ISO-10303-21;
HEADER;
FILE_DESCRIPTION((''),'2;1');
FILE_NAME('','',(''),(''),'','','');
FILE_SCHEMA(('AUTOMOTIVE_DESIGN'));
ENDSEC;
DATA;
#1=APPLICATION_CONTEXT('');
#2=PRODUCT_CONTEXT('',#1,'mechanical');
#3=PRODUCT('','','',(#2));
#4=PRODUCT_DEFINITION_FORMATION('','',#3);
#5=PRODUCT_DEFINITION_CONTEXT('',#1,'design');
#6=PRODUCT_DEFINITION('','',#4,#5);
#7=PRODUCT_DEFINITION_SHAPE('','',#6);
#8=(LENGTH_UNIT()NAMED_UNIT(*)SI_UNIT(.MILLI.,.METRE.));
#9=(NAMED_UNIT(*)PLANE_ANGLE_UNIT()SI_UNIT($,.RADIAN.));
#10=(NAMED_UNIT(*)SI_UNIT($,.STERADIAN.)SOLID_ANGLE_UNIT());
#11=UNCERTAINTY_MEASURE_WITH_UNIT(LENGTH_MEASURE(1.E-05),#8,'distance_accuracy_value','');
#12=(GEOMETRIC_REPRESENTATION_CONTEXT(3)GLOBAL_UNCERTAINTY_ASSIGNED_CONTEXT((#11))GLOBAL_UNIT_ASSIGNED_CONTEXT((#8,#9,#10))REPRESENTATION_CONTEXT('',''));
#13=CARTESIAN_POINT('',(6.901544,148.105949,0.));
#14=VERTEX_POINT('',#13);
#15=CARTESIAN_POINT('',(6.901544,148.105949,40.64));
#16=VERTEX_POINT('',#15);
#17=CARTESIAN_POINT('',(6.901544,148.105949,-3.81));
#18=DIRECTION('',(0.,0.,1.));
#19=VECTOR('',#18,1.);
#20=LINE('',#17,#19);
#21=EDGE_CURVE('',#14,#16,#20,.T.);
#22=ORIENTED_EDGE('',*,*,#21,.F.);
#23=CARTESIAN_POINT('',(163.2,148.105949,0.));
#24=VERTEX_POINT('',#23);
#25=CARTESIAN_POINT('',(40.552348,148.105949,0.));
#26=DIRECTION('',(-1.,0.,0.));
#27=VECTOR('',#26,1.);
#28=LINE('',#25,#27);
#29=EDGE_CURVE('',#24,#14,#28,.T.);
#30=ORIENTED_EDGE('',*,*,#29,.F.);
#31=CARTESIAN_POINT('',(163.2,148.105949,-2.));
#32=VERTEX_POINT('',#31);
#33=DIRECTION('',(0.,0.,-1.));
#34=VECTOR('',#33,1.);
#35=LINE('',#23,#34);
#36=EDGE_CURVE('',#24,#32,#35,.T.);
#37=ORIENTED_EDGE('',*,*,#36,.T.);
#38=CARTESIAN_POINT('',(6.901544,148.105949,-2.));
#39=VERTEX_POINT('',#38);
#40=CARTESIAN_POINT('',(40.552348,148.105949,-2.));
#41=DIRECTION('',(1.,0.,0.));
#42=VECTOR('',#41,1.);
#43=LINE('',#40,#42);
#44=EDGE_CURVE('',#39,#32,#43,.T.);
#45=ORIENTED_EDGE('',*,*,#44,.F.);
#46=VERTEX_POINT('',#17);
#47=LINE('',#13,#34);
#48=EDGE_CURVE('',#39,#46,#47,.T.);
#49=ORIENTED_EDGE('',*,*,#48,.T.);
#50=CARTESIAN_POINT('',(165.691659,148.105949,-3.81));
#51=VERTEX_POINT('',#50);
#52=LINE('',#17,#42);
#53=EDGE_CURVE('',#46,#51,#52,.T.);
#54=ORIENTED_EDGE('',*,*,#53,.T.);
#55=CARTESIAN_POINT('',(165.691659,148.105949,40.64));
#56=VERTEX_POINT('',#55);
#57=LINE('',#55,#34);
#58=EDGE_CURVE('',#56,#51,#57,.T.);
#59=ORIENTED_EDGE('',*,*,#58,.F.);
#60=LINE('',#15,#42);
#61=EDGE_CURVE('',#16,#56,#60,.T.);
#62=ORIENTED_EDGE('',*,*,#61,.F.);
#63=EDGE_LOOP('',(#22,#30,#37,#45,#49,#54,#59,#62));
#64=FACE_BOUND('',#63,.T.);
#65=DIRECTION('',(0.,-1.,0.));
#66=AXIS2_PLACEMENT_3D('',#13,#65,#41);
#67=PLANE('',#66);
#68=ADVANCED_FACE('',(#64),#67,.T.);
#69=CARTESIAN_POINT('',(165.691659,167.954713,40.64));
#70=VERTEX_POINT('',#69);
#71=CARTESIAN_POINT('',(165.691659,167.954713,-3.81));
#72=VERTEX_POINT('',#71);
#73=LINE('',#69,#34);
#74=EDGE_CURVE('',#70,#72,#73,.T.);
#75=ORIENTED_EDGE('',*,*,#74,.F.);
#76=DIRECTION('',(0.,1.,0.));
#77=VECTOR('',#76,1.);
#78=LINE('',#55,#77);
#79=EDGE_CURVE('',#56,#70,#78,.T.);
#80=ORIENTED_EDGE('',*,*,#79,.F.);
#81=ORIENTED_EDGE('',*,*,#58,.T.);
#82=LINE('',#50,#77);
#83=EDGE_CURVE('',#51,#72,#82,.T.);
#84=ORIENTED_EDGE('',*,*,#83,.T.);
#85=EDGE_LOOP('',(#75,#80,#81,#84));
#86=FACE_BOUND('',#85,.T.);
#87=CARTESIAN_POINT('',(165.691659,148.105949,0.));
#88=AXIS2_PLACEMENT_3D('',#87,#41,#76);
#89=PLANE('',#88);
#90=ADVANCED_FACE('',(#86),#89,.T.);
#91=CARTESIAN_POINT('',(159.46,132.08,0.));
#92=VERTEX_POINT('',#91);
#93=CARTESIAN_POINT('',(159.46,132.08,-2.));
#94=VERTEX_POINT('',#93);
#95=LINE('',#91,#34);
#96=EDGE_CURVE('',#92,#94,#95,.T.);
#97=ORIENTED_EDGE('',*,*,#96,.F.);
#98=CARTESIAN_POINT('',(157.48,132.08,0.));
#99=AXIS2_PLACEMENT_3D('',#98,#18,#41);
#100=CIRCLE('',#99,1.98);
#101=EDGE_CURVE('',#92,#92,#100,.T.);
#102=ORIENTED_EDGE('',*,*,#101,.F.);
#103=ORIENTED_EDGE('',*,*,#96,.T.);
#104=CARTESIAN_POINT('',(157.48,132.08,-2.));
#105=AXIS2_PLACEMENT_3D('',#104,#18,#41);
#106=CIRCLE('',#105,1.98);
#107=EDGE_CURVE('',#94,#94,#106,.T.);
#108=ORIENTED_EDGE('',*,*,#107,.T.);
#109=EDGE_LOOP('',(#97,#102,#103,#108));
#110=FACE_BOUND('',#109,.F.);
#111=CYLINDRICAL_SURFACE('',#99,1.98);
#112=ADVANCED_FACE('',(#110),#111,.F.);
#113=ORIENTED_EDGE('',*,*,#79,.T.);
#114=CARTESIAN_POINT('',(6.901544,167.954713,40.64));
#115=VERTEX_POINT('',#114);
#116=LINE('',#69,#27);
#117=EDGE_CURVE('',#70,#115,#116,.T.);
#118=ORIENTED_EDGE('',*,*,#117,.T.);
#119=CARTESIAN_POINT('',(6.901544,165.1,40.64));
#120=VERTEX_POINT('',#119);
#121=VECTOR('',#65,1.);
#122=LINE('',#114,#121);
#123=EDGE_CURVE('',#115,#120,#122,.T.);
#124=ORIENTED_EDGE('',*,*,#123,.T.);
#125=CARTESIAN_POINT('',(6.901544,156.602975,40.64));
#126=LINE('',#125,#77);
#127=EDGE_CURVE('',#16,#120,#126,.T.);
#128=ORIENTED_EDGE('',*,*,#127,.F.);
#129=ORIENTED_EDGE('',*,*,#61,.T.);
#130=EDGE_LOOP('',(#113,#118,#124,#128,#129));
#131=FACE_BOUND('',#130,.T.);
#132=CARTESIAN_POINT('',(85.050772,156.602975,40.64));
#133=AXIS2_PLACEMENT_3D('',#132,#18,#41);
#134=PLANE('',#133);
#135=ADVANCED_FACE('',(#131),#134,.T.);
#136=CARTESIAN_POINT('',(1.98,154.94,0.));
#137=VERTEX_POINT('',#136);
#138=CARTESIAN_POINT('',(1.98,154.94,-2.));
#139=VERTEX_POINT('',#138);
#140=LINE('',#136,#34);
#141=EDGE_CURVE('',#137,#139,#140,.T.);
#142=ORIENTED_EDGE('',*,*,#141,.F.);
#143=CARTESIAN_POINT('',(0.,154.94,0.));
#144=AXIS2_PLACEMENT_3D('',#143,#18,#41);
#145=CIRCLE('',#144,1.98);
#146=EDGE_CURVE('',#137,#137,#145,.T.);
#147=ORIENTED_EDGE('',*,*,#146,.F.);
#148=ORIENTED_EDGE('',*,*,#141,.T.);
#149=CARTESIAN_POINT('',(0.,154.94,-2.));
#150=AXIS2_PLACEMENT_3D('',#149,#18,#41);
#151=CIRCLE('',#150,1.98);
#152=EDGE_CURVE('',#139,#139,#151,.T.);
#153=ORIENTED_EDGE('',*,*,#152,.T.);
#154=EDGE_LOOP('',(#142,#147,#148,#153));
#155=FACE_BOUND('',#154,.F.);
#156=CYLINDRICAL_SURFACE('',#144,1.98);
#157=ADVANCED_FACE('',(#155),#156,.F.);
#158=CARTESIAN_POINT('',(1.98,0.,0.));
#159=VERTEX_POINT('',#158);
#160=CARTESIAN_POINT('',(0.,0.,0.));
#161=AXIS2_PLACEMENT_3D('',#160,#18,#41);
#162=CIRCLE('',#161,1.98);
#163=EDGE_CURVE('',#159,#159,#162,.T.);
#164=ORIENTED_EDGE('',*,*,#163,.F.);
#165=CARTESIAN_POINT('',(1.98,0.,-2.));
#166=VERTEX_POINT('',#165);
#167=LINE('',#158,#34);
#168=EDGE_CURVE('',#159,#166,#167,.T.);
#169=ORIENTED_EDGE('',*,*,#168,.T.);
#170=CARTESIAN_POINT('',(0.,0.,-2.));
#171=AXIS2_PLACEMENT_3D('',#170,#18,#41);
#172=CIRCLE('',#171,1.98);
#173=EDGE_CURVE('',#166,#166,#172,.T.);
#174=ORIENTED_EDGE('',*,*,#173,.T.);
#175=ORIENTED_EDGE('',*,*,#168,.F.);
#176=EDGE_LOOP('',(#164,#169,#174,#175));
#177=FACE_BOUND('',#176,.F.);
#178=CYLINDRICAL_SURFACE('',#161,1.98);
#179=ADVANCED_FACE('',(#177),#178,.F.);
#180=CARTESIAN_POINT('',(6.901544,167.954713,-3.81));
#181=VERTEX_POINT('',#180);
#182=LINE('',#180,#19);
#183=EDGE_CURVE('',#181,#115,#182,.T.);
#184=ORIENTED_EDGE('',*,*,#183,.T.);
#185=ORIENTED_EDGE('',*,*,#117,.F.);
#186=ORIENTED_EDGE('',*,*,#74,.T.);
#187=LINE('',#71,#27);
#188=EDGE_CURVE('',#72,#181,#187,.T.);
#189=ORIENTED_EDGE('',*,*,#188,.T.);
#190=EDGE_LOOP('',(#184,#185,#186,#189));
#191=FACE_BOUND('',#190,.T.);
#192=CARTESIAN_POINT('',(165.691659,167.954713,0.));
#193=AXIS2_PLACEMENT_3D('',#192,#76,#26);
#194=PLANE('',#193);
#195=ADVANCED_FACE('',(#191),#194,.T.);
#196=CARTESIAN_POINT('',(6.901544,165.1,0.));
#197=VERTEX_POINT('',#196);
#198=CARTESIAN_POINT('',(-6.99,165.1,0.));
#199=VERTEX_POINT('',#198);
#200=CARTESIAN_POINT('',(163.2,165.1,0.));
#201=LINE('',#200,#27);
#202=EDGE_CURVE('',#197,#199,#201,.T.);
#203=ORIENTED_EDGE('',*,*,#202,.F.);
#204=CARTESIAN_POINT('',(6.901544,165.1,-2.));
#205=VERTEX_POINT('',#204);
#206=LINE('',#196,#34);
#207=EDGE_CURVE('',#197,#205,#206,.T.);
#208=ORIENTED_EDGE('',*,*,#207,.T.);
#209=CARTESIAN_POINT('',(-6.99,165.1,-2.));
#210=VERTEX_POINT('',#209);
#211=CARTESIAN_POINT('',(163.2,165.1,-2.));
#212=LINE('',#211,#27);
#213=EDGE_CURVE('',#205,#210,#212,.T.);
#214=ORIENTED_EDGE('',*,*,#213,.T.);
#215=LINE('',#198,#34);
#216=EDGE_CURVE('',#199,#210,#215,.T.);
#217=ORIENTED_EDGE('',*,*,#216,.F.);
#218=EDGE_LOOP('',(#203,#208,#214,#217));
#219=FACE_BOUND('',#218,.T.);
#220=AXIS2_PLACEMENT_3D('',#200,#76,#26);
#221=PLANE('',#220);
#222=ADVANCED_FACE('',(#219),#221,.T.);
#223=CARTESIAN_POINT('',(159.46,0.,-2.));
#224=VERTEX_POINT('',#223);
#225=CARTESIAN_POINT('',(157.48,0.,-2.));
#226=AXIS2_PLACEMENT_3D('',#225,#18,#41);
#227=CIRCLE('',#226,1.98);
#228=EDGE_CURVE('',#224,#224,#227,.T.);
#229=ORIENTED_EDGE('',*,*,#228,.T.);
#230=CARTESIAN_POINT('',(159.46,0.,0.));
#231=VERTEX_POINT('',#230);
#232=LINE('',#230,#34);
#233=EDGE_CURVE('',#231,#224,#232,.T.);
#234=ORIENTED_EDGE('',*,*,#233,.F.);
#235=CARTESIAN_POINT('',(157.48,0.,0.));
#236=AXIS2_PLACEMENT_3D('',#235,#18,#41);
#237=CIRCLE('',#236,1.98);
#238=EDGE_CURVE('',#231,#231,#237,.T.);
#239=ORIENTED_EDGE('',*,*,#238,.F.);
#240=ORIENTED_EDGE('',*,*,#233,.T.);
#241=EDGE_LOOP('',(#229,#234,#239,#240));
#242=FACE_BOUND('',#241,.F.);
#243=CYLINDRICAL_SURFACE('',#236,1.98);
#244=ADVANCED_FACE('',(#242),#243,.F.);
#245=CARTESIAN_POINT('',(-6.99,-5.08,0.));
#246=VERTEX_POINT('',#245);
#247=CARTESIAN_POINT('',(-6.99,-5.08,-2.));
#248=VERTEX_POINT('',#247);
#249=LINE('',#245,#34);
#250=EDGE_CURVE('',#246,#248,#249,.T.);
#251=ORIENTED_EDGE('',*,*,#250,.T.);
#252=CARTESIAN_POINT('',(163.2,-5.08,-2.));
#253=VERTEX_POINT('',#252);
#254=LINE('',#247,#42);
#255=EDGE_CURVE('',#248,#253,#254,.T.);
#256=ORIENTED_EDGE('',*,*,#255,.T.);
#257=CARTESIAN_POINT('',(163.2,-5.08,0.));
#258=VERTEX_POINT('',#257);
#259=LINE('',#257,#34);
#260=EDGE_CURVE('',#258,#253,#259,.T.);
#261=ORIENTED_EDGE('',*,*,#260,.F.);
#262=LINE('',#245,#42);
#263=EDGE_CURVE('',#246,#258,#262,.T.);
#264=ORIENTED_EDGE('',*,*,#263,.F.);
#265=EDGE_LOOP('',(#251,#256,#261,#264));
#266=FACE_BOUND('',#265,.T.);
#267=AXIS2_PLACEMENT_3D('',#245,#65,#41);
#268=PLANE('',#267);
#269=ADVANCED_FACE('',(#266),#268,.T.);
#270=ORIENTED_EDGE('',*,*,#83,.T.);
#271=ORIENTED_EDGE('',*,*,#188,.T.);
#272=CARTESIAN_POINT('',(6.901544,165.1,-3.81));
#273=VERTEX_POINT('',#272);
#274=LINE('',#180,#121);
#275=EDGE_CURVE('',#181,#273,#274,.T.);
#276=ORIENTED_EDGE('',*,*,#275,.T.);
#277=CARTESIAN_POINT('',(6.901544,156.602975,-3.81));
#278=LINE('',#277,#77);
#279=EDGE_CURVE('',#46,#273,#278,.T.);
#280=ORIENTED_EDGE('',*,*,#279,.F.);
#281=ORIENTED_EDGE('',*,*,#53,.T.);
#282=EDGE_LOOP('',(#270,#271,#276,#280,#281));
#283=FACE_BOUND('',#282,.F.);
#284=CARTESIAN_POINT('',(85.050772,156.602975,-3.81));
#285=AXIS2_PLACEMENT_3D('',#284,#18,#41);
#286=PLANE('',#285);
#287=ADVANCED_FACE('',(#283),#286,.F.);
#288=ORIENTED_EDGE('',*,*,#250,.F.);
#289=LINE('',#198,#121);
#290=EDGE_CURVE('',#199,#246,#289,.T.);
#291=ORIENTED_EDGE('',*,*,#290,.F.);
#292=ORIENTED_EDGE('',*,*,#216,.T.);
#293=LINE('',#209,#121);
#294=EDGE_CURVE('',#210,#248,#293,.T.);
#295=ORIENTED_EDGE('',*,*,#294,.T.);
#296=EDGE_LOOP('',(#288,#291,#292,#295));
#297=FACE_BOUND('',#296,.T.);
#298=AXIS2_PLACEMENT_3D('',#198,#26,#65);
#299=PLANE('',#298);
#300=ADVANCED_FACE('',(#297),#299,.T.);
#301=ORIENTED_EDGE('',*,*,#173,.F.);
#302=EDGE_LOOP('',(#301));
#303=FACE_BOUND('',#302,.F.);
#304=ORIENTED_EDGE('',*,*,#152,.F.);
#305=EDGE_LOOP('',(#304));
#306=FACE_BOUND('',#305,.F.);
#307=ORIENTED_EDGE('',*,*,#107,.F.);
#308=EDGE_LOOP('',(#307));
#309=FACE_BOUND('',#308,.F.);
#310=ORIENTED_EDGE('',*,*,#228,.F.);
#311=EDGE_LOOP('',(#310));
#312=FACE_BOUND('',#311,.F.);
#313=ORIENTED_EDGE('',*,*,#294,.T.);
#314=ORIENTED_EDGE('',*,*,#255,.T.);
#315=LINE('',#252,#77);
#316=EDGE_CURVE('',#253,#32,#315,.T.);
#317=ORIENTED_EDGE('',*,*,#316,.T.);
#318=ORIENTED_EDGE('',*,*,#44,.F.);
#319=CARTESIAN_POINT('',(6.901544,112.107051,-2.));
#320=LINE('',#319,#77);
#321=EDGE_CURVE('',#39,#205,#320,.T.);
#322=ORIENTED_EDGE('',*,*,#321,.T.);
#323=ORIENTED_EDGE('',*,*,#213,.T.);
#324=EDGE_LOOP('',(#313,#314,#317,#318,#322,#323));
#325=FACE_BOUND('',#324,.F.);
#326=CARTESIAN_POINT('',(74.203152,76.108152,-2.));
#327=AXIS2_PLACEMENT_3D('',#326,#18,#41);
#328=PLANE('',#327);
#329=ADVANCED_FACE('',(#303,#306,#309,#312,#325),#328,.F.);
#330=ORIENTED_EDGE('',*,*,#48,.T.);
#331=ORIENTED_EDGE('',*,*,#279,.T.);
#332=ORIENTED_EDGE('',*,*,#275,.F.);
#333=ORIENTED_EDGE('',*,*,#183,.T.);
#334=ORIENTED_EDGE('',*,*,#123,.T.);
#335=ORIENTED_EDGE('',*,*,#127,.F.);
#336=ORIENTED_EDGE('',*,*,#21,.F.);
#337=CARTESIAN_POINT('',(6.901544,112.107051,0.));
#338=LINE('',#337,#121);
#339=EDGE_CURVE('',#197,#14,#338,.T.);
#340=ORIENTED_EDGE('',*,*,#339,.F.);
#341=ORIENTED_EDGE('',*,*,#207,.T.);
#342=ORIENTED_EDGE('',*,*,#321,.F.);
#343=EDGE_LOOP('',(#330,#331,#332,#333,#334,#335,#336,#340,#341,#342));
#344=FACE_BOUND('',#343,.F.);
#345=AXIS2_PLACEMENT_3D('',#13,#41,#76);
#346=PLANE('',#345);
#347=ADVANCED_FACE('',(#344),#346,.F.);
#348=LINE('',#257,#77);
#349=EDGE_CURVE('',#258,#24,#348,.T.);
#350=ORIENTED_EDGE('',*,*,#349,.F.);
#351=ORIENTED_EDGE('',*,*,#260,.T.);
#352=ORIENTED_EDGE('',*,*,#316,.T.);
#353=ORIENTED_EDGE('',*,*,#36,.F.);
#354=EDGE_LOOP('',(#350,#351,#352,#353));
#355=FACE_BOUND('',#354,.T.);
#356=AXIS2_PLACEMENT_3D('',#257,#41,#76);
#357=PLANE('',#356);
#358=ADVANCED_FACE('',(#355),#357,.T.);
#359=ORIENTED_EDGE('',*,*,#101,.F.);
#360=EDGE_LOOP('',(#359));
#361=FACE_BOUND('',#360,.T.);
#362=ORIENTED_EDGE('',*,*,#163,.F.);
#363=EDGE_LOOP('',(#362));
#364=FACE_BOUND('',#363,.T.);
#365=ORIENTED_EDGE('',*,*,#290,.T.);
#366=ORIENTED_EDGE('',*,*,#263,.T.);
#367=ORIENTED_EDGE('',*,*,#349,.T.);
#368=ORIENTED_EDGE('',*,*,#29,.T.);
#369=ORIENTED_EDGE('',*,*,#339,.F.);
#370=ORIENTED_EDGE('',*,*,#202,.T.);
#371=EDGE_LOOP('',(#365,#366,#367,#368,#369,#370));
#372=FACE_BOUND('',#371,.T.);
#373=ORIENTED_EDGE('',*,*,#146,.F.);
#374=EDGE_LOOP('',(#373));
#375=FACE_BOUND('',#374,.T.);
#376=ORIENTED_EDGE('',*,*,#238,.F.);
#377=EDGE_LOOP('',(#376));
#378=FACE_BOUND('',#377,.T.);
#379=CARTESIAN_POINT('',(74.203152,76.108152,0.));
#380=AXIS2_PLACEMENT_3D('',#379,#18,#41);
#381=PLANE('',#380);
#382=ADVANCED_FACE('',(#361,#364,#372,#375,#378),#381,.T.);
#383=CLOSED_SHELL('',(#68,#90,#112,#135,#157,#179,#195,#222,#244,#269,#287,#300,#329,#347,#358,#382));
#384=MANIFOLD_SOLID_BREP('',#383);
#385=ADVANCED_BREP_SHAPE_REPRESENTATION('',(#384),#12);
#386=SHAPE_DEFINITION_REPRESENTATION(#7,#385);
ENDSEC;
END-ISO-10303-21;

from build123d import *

# Parameters (mm, degrees)
F0_R     = 1.98
F0_W     = 156.2984559469
F0_H     = 16.9940508366
F1_DEPTH = 2
F2_DEPTH = 3.81
F3_DEPTH = 44.45


with BuildPart() as f1:
    # F0 (on Top) → F1 (new body)
    with BuildSketch(Plane.XY):
        Polygon((-6.99, 165.1), (-6.99, -5.08), (163.2, -5.08), (163.2, 148.1059491634), (6.9015440531, 148.1059491634), (6.9015440531, 165.1), align=None)
        Circle(F0_R, mode=Mode.SUBTRACT)
        with Locations((157.48, 0)):
            Circle(F0_R, mode=Mode.SUBTRACT)
        with Locations((0, 154.94)):
            Circle(F0_R, mode=Mode.SUBTRACT)
        with Locations((157.48, 132.08)):
            Circle(F0_R, mode=Mode.SUBTRACT)
        with Locations((85.0507720266, 156.6029745817)):
            Rectangle(F0_W, F0_H)
    extrude(amount=-F1_DEPTH)

    # F0 (on Top) → F2 (join)
    with BuildSketch(Plane.XY):
        with Locations((85.0507720266, 156.6029745817)):
            Rectangle(F0_W, F0_H)
        Polygon((163.2, 165.1), (163.2, 148.1059491634), (165.6916588545, 148.1059491634), (165.6916588545, 167.9547131062), (6.9015440531, 167.9547131062), (6.9015440531, 165.1), align=None)
    extrude(amount=-F2_DEPTH)

    # F3 (add): a face of the model
    f3_faces = [f1.faces().sort_by_distance(p)[0] for p in [
        (86.2966014538, 158.0303311348, -3.81),
    ]]
    extrude(f3_faces, amount=-F3_DEPTH)


solid = f1.part
